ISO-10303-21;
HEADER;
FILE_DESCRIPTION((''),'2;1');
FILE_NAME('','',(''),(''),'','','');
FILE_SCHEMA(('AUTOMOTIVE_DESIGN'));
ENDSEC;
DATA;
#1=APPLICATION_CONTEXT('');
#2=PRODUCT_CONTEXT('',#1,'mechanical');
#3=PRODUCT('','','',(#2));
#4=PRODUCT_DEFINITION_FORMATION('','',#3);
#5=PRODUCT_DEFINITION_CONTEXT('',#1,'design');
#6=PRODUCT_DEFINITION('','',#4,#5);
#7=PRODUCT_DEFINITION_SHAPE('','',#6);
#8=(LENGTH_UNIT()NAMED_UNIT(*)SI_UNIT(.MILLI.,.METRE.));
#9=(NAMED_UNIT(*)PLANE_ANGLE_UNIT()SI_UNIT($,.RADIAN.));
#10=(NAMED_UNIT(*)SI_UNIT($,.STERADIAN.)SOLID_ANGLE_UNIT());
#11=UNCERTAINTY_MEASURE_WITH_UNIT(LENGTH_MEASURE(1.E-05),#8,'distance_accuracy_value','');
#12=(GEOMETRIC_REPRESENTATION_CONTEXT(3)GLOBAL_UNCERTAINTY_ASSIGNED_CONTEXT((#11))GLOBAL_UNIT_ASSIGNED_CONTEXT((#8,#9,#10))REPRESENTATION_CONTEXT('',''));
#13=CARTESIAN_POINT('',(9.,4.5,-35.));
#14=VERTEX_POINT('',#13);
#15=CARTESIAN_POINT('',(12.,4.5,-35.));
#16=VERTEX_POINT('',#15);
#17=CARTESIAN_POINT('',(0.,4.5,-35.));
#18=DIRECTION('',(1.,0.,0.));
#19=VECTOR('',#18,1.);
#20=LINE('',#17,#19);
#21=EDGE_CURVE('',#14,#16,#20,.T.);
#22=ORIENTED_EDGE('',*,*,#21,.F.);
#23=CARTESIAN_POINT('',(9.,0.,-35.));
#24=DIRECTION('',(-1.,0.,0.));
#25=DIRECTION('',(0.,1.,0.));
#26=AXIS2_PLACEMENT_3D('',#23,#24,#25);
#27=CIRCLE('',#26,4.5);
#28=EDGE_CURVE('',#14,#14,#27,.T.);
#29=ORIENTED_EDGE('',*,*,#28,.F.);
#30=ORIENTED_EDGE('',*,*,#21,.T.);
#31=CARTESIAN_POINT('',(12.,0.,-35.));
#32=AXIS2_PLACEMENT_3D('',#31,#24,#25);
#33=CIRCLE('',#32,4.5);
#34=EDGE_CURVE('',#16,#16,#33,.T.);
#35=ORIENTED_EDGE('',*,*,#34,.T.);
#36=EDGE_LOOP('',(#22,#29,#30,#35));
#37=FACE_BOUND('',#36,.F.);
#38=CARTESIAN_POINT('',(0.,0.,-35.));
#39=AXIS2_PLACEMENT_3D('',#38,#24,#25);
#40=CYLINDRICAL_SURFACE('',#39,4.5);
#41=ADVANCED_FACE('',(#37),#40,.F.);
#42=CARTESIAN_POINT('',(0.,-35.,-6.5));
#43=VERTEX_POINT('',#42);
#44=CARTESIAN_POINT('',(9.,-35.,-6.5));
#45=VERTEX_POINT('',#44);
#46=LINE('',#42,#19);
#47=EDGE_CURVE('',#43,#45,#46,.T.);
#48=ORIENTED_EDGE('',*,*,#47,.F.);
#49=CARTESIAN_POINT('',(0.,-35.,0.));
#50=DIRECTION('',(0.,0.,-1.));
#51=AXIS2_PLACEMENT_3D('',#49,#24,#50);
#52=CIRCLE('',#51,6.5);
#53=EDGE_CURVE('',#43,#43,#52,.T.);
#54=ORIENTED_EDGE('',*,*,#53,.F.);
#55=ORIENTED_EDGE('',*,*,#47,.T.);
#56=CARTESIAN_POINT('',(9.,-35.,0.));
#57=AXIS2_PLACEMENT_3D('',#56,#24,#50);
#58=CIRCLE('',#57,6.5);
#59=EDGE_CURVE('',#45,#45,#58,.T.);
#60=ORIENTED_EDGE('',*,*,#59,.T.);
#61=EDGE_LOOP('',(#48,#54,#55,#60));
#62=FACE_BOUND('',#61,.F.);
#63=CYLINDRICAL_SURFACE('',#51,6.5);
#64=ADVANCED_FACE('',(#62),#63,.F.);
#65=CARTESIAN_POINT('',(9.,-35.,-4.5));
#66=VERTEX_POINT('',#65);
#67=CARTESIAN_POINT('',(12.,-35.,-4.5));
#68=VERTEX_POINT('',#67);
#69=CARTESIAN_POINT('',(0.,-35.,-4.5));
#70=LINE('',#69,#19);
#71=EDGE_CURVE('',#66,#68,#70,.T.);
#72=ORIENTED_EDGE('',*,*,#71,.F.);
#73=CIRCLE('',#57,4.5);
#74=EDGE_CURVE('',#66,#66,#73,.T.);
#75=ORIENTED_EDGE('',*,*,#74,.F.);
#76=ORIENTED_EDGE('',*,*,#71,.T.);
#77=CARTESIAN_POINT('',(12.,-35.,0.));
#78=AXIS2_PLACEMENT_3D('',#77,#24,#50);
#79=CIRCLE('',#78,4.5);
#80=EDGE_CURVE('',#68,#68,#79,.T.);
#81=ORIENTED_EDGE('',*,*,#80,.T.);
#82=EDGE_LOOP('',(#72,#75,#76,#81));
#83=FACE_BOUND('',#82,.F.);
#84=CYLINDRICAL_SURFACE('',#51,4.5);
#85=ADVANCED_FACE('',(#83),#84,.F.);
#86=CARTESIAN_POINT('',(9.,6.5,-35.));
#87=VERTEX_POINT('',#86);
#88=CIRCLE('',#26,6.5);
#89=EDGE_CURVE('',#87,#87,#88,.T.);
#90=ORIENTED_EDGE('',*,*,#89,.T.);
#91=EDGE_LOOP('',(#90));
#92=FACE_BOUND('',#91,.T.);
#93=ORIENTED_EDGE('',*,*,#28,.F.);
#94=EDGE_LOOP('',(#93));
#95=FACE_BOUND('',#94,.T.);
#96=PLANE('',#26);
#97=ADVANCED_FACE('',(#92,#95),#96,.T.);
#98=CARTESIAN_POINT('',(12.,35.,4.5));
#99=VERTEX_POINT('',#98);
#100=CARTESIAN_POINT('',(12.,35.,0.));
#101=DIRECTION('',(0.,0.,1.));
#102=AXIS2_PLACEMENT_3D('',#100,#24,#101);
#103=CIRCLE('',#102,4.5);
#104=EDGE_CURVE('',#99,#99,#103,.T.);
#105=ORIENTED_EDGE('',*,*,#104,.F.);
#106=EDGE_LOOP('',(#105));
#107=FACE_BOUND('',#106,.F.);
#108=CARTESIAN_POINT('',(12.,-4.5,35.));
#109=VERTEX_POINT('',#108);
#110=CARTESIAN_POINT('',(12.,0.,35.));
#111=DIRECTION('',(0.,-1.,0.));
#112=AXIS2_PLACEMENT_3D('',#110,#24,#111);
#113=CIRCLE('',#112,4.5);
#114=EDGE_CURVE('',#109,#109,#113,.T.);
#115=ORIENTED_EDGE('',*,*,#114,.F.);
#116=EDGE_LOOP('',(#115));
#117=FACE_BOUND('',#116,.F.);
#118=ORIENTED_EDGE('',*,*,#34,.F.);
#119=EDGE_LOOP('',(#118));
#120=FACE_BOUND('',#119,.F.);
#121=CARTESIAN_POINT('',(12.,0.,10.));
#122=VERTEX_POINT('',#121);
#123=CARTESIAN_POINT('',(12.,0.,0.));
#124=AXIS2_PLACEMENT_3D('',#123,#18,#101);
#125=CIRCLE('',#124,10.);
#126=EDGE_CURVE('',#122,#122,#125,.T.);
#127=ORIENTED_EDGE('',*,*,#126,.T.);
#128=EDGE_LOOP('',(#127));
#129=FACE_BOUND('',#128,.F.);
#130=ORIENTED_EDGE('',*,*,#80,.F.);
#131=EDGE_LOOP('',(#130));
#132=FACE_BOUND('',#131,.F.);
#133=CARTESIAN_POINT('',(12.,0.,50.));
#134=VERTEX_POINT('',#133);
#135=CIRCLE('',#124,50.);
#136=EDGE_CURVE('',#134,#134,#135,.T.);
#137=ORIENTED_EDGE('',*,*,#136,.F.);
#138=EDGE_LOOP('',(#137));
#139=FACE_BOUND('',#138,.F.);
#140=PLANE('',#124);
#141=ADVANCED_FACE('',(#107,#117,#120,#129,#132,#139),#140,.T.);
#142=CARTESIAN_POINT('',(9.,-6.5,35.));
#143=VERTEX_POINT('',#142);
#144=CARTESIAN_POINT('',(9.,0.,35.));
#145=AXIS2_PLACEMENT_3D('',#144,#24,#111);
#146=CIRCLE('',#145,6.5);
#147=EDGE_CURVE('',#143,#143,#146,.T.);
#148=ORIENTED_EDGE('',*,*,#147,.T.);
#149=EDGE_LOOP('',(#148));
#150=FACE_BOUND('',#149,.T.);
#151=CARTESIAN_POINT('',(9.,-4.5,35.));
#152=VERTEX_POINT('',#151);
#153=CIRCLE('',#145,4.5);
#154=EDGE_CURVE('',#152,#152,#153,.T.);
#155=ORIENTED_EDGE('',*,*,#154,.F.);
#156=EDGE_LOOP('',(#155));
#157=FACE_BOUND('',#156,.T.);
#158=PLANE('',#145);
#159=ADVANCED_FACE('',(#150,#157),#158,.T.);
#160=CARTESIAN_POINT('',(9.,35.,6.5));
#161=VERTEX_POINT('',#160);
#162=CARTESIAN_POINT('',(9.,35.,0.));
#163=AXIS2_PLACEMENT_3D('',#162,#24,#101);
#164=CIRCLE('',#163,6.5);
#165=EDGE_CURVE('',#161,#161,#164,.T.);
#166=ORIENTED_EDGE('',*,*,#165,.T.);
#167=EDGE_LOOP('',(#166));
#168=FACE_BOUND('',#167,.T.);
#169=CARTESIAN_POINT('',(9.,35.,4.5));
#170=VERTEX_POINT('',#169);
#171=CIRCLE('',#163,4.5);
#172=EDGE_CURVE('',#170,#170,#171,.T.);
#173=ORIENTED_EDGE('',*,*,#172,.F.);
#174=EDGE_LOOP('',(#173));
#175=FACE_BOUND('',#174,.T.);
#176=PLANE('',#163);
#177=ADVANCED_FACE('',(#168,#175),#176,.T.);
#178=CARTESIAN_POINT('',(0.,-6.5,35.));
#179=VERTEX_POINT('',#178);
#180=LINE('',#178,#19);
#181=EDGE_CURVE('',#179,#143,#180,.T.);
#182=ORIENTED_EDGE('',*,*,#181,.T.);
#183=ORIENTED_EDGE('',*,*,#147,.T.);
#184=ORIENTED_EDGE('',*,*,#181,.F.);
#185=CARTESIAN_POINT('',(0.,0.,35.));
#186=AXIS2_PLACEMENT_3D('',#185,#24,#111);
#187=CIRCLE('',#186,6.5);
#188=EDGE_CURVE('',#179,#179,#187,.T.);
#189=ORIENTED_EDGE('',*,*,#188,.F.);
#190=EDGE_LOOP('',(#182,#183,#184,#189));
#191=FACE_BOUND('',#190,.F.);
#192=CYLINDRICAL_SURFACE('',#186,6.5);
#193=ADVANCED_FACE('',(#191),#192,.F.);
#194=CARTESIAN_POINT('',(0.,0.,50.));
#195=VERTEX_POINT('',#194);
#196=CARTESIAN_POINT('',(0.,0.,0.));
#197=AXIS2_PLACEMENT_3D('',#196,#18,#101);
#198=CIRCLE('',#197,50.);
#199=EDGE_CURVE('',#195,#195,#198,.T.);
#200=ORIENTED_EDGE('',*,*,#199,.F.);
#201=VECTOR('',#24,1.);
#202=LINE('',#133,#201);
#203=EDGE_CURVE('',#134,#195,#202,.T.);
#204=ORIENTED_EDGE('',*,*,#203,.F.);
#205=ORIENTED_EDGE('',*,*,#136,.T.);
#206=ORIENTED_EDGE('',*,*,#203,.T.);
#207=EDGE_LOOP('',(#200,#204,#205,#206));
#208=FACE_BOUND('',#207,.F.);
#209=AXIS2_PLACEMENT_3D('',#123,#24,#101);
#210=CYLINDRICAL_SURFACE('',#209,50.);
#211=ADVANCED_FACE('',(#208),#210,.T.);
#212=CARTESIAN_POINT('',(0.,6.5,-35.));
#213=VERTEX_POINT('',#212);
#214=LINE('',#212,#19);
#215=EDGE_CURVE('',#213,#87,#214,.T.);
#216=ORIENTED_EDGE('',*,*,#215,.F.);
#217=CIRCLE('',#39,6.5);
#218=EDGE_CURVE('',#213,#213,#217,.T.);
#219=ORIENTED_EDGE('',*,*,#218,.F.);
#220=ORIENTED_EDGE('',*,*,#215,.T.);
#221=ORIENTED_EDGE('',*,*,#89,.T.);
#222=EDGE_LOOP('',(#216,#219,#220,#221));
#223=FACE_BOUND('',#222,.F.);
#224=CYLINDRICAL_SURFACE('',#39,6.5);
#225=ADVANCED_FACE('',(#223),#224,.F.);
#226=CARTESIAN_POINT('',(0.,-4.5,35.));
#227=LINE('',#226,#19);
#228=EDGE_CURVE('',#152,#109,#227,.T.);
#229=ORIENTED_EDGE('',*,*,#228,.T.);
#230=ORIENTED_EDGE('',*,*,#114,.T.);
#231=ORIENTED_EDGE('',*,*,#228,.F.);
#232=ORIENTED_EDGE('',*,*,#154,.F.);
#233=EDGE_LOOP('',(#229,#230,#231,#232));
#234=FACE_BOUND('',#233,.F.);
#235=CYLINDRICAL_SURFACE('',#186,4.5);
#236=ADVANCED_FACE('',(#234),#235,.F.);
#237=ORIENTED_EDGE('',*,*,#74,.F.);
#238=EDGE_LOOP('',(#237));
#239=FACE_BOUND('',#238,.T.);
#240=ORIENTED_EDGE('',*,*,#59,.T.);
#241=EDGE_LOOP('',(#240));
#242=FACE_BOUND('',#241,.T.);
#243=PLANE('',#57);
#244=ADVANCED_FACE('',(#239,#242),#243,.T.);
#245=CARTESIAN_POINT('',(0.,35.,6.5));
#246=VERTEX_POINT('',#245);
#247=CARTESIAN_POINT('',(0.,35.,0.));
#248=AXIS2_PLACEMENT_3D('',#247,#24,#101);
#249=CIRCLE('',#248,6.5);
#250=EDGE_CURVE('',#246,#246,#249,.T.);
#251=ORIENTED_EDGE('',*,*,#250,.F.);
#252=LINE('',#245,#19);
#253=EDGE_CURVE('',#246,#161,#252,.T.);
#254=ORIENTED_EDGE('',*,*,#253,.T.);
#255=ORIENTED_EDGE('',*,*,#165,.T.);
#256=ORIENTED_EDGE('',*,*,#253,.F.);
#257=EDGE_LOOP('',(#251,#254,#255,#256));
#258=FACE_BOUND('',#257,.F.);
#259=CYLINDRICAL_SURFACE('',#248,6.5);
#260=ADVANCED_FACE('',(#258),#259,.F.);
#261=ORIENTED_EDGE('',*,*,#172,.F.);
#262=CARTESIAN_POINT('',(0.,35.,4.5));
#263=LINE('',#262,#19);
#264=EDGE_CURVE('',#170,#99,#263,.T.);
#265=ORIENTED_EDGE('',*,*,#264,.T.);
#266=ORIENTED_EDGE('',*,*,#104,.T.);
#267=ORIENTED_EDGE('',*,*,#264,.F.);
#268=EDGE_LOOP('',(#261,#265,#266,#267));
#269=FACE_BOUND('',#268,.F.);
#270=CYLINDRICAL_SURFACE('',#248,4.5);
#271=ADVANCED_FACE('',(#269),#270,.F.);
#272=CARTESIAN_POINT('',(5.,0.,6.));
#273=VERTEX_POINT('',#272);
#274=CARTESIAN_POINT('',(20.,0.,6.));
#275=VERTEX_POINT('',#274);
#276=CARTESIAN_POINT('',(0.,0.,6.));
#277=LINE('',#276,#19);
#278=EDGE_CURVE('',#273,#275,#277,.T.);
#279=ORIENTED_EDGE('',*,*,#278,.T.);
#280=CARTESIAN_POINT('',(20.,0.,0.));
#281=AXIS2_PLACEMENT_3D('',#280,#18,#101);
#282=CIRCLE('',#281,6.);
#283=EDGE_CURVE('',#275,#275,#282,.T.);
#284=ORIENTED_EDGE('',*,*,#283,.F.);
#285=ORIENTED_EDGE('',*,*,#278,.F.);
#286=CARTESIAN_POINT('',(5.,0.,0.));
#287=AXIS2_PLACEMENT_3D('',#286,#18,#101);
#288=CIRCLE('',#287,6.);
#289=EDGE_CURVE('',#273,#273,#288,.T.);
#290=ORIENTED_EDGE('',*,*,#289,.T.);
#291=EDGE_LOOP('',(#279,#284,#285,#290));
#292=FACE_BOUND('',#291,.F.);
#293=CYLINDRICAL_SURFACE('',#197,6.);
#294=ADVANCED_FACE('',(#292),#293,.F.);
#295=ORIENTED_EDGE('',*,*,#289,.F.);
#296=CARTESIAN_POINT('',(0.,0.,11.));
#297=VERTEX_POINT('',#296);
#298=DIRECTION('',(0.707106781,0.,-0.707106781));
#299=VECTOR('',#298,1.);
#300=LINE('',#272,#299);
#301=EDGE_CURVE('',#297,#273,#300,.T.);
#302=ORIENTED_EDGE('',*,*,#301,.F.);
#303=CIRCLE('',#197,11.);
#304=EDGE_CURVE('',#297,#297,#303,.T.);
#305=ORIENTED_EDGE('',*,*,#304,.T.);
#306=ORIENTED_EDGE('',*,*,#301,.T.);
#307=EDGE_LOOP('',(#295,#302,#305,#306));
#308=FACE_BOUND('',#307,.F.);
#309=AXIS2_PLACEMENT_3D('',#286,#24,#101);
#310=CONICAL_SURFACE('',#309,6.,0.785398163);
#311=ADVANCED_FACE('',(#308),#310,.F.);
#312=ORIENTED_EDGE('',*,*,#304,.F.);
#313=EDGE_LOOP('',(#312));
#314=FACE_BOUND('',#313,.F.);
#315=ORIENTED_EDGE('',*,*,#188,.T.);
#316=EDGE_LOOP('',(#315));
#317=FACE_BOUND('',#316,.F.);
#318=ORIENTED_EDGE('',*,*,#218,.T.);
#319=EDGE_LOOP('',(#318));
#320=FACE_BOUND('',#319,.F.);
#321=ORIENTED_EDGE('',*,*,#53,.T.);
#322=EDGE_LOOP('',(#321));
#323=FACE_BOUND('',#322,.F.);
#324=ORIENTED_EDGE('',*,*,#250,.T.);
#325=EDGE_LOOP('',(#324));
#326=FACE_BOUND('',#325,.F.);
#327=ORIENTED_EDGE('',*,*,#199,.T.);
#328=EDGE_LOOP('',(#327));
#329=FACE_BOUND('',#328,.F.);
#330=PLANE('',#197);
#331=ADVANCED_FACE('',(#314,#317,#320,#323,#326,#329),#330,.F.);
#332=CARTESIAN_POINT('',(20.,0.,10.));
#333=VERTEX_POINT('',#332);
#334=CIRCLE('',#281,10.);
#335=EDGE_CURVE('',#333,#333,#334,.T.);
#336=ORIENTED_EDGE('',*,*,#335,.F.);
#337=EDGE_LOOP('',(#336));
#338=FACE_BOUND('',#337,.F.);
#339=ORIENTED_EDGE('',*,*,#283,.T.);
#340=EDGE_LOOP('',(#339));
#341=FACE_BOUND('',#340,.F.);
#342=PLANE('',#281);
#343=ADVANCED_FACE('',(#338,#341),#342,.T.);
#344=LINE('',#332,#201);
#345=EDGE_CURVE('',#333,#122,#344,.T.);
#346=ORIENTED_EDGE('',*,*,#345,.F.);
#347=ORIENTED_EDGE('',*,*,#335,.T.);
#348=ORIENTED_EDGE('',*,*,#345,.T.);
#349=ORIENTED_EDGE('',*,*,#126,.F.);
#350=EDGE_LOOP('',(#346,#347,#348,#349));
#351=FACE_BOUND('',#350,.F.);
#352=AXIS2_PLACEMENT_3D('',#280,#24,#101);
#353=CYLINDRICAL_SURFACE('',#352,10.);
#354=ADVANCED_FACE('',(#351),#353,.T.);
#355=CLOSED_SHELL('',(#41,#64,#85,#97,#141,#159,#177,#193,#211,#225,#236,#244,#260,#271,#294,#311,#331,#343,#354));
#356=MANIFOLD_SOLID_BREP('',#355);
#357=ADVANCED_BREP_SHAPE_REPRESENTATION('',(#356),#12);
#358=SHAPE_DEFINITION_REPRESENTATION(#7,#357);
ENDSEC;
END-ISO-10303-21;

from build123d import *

# Parameters (mm, degrees)
F2_R     = 6.5
F2_R_2   = 4.5
F3_DEPTH = 9
F4_DEPTH = 12
F5_COUNT = 4
F5_ANGLE = 270
F6_SIZE  = 5


with BuildPart() as f1:
    # F0 (on Front) → F1 (revolve)
    with BuildSketch(Plane.XZ):
        Polygon((0, 50), (0, 6), (20, 6), (20, 10), (12, 10), (12, 50), align=None)
    revolve(axis=Axis((48.1764731588, 0, 0), (1, 0, 0)))

    # F2 (on face) → F3 (cut)
    with BuildSketch(Plane(origin=(0, 0, 0), x_dir=(0, -1, 0), z_dir=(-1, 0, 0))):
        with Locations((0, 35)):
            Circle(F2_R)
        with Locations((0, 35)):
            Circle(F2_R_2, mode=Mode.SUBTRACT)
    f3 = extrude(amount=-F3_DEPTH, mode=Mode.SUBTRACT)

    # F2 (on face) → F4 (cut)
    with BuildSketch(Plane(origin=(0, 0, 0), x_dir=(0, -1, 0), z_dir=(-1, 0, 0))):
        with Locations((0, 35)):
            Circle(F2_R_2)
    f4 = extrude(amount=-F4_DEPTH, mode=Mode.SUBTRACT)

    # F5: F3, F4 ×4 about axis
    f5_axis = Axis((48.1764731588, 0, 0), (1, 0, 0))
    for i in range(1, F5_COUNT):
        add(f3.rotate(f5_axis, i * F5_ANGLE / (F5_COUNT - 1)), mode=Mode.SUBTRACT)
        add(f4.rotate(f5_axis, i * F5_ANGLE / (F5_COUNT - 1)), mode=Mode.SUBTRACT)

    # F6
    f6_edges = [f1.edges().sort_by_distance(p)[0] for p in [
        (0, 0, -6),
    ]]
    chamfer(f6_edges, length=F6_SIZE)


solid = f1.part
